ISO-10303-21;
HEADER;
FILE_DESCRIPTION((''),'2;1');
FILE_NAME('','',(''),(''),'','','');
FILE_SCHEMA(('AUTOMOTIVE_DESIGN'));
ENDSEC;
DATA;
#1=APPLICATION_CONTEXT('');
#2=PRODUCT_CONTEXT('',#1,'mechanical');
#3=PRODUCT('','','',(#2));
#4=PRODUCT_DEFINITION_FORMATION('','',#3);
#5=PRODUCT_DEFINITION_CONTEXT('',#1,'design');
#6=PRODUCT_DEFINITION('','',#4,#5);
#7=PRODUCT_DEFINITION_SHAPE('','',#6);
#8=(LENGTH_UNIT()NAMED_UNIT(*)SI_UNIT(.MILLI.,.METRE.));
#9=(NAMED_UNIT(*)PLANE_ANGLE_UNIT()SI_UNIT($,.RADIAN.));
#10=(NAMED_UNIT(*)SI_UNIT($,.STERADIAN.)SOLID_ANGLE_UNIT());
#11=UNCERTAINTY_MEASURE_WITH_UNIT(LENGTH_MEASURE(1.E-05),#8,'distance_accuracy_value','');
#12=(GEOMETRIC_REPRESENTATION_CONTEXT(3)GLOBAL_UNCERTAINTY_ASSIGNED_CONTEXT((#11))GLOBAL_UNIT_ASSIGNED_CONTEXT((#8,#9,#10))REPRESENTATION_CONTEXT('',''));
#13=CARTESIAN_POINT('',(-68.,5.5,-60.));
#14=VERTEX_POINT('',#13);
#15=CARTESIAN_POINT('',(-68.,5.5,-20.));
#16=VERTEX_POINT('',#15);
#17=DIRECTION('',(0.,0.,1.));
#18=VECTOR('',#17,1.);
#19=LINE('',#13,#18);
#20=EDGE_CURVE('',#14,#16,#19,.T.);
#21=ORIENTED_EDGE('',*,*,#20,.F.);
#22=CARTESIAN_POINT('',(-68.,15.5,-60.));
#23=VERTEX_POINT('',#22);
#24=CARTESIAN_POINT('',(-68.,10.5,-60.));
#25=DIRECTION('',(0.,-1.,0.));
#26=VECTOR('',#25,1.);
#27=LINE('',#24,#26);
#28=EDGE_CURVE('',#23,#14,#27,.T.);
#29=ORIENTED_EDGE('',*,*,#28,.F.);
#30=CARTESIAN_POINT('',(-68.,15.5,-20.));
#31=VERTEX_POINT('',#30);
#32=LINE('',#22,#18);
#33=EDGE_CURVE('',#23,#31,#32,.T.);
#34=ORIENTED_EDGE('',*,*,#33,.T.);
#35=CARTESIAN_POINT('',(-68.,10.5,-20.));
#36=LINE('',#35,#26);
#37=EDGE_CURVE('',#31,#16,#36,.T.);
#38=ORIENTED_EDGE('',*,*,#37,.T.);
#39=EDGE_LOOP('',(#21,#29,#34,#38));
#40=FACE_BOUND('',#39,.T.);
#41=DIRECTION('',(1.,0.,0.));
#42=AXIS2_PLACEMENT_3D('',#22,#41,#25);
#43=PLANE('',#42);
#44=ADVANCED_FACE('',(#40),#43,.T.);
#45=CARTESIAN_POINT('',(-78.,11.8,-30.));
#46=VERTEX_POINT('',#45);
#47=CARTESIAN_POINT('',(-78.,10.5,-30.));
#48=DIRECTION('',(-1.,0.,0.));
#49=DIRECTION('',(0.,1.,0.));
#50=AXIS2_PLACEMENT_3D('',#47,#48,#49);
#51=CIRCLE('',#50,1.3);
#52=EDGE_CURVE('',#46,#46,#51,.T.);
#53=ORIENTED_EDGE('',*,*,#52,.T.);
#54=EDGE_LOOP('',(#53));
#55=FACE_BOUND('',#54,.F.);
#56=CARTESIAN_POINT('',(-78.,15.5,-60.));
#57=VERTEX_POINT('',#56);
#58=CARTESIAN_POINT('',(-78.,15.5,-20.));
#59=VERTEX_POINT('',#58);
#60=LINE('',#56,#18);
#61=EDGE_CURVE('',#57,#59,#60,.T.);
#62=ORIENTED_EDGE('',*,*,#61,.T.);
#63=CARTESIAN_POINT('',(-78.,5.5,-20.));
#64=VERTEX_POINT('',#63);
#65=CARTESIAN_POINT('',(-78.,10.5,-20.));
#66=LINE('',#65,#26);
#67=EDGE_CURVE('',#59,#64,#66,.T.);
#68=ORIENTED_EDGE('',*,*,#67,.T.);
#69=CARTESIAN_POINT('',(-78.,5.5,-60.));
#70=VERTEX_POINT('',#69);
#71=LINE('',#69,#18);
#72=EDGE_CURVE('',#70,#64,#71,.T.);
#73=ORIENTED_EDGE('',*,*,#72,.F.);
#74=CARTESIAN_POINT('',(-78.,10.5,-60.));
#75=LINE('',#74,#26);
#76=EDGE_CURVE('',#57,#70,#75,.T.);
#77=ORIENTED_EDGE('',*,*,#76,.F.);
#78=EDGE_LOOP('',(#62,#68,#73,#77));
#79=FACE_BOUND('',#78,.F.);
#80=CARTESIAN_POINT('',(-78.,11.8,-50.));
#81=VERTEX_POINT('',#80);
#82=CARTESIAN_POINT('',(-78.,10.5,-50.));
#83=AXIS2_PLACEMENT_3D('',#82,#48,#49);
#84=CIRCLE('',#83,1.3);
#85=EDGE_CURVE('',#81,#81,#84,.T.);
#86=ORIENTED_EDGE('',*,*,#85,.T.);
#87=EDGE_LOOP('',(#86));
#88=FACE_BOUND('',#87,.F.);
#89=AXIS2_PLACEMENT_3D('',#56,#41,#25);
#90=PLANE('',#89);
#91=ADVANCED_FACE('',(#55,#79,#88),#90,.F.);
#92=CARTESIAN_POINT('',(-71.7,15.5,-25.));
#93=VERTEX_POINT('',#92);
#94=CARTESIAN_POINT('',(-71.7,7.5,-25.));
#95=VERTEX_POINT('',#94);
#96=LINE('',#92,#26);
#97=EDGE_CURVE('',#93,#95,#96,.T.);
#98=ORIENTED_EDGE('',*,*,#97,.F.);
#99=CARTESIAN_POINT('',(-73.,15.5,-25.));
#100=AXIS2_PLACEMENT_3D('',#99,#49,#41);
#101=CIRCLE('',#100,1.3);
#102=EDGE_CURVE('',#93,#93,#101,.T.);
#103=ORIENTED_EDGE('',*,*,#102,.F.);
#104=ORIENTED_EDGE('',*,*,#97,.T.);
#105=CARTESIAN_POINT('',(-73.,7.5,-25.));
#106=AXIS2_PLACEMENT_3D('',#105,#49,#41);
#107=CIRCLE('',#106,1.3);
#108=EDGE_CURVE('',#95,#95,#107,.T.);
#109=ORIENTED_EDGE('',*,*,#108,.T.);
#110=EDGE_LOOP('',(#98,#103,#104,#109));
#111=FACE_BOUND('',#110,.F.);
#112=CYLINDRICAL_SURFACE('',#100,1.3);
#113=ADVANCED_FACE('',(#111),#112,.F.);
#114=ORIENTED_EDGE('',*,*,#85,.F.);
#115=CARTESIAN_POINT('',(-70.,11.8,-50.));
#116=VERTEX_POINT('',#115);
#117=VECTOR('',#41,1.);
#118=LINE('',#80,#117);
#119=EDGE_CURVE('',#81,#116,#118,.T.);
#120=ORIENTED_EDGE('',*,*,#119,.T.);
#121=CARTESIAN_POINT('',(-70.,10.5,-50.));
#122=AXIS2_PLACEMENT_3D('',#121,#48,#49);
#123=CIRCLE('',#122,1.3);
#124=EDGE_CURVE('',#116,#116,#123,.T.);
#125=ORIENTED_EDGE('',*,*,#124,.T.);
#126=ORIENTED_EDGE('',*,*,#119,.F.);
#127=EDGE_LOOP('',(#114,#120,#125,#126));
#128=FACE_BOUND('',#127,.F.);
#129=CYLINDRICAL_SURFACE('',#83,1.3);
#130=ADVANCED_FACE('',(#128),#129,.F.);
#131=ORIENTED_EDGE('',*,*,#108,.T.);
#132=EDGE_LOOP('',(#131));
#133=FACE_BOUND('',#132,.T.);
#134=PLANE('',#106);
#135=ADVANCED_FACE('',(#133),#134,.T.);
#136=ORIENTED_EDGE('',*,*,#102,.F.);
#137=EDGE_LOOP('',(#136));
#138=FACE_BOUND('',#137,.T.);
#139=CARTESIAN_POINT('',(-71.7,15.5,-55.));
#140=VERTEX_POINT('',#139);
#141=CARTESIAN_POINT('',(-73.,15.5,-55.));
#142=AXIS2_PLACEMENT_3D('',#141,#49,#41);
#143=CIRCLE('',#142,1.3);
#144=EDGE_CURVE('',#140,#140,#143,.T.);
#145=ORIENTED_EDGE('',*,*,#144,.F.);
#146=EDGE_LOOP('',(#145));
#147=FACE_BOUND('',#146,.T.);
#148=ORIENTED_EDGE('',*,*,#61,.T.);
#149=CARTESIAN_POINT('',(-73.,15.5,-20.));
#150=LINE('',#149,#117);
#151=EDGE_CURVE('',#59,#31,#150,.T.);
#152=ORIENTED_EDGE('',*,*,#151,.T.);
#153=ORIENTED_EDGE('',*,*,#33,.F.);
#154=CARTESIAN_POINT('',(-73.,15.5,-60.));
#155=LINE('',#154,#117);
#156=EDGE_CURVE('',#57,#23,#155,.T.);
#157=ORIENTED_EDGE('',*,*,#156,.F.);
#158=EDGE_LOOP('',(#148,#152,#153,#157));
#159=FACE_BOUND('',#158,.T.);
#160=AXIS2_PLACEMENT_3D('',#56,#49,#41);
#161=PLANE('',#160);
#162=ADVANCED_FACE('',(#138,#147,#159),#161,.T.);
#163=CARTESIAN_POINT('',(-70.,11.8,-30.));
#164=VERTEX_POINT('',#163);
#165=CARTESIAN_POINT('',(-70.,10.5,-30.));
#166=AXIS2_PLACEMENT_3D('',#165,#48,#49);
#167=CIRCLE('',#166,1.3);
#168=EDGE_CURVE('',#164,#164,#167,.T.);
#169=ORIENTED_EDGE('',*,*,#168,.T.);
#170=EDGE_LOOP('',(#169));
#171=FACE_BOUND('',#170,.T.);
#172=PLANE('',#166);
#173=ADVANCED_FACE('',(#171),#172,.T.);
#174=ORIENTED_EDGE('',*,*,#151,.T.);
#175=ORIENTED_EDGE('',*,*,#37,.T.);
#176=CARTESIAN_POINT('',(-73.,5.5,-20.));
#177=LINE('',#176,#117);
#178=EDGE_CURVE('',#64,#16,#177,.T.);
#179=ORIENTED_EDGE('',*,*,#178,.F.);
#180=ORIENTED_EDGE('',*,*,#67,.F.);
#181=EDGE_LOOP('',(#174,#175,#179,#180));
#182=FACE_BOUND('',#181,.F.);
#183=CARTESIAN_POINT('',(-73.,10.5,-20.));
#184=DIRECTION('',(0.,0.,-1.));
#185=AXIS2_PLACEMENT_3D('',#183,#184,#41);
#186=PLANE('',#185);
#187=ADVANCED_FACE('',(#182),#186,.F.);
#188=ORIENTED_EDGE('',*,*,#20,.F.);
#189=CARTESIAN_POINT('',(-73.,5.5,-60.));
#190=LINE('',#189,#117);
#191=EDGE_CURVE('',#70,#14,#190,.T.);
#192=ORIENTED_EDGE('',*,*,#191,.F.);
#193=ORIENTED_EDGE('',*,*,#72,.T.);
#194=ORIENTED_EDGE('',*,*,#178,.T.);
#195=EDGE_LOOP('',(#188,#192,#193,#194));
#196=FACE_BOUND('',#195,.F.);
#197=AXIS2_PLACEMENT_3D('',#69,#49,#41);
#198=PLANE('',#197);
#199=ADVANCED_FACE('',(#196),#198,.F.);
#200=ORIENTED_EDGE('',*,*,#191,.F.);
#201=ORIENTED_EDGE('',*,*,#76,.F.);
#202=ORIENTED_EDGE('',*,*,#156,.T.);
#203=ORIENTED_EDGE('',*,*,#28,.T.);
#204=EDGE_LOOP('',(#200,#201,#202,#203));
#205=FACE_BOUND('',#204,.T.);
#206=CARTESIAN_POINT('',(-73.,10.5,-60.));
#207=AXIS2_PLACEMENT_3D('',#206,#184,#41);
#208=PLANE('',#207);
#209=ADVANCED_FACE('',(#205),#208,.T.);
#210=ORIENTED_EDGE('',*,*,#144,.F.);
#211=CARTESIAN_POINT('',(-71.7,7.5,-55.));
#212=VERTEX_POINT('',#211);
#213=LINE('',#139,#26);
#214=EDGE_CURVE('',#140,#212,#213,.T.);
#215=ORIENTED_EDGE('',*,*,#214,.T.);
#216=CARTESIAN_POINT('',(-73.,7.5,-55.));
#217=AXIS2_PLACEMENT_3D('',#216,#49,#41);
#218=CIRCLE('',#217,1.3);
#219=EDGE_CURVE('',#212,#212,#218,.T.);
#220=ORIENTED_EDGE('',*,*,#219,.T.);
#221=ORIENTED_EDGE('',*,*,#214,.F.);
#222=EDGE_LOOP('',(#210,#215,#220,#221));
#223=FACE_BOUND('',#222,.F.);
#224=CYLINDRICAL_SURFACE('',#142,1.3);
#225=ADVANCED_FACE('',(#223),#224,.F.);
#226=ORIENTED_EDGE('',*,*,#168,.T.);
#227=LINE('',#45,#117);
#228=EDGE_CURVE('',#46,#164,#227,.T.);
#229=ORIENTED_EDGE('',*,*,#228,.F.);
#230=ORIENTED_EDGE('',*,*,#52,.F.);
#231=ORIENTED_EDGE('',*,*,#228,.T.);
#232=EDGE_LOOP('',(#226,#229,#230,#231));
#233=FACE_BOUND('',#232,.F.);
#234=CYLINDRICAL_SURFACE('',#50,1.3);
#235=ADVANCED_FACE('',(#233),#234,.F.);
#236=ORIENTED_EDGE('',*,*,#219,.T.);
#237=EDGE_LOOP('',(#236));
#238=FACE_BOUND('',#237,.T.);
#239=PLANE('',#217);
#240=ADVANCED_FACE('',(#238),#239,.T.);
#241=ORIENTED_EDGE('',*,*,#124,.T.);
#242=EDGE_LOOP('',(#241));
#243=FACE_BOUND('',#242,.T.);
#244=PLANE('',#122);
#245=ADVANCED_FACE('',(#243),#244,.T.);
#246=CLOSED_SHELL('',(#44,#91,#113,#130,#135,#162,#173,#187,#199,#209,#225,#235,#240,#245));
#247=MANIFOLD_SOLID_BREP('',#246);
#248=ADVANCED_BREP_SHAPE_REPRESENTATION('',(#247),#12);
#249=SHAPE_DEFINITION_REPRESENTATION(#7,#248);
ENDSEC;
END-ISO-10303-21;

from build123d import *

# Parameters (mm, degrees)
SKETCH052_W     = 10
SKETCH052_H     = 10
PAD027_DEPTH    = 40
SKETCH053_R     = 1.3
POCKET002_DEPTH = 8
SKETCH054_R     = 1.3
POCKET003_DEPTH = 8


with BuildPart() as part:
    # Sketch052 → Pad027 (new body)
    with BuildSketch(Plane(origin=(0, 0, -60), x_dir=(1, 0, 0), z_dir=(0, 0, -1))):
        with Locations((-73, -10.5)):
            Rectangle(SKETCH052_W, SKETCH052_H)
    extrude(amount=-PAD027_DEPTH)

    # Sketch053 → Pocket002 (cut)
    with BuildSketch(Plane(origin=(0, 15.5, -60), x_dir=(1, 0, 0), z_dir=(0, 1, 0))):
        with Locations((-73, -5)):
            Circle(SKETCH053_R)
        with Locations((-73, -35)):
            Circle(SKETCH053_R)
    extrude(amount=-POCKET002_DEPTH, mode=Mode.SUBTRACT)

    # Sketch054 → Pocket003 (cut)
    with BuildSketch(Plane(origin=(-78, 0, -60), x_dir=(0, 1, 0), z_dir=(-1, 0, 0))):
        with Locations((10.5, -10)):
            Circle(SKETCH054_R)
        with Locations((10.5, -30)):
            Circle(SKETCH054_R)
    extrude(amount=-POCKET003_DEPTH, mode=Mode.SUBTRACT)


solid = part.part
